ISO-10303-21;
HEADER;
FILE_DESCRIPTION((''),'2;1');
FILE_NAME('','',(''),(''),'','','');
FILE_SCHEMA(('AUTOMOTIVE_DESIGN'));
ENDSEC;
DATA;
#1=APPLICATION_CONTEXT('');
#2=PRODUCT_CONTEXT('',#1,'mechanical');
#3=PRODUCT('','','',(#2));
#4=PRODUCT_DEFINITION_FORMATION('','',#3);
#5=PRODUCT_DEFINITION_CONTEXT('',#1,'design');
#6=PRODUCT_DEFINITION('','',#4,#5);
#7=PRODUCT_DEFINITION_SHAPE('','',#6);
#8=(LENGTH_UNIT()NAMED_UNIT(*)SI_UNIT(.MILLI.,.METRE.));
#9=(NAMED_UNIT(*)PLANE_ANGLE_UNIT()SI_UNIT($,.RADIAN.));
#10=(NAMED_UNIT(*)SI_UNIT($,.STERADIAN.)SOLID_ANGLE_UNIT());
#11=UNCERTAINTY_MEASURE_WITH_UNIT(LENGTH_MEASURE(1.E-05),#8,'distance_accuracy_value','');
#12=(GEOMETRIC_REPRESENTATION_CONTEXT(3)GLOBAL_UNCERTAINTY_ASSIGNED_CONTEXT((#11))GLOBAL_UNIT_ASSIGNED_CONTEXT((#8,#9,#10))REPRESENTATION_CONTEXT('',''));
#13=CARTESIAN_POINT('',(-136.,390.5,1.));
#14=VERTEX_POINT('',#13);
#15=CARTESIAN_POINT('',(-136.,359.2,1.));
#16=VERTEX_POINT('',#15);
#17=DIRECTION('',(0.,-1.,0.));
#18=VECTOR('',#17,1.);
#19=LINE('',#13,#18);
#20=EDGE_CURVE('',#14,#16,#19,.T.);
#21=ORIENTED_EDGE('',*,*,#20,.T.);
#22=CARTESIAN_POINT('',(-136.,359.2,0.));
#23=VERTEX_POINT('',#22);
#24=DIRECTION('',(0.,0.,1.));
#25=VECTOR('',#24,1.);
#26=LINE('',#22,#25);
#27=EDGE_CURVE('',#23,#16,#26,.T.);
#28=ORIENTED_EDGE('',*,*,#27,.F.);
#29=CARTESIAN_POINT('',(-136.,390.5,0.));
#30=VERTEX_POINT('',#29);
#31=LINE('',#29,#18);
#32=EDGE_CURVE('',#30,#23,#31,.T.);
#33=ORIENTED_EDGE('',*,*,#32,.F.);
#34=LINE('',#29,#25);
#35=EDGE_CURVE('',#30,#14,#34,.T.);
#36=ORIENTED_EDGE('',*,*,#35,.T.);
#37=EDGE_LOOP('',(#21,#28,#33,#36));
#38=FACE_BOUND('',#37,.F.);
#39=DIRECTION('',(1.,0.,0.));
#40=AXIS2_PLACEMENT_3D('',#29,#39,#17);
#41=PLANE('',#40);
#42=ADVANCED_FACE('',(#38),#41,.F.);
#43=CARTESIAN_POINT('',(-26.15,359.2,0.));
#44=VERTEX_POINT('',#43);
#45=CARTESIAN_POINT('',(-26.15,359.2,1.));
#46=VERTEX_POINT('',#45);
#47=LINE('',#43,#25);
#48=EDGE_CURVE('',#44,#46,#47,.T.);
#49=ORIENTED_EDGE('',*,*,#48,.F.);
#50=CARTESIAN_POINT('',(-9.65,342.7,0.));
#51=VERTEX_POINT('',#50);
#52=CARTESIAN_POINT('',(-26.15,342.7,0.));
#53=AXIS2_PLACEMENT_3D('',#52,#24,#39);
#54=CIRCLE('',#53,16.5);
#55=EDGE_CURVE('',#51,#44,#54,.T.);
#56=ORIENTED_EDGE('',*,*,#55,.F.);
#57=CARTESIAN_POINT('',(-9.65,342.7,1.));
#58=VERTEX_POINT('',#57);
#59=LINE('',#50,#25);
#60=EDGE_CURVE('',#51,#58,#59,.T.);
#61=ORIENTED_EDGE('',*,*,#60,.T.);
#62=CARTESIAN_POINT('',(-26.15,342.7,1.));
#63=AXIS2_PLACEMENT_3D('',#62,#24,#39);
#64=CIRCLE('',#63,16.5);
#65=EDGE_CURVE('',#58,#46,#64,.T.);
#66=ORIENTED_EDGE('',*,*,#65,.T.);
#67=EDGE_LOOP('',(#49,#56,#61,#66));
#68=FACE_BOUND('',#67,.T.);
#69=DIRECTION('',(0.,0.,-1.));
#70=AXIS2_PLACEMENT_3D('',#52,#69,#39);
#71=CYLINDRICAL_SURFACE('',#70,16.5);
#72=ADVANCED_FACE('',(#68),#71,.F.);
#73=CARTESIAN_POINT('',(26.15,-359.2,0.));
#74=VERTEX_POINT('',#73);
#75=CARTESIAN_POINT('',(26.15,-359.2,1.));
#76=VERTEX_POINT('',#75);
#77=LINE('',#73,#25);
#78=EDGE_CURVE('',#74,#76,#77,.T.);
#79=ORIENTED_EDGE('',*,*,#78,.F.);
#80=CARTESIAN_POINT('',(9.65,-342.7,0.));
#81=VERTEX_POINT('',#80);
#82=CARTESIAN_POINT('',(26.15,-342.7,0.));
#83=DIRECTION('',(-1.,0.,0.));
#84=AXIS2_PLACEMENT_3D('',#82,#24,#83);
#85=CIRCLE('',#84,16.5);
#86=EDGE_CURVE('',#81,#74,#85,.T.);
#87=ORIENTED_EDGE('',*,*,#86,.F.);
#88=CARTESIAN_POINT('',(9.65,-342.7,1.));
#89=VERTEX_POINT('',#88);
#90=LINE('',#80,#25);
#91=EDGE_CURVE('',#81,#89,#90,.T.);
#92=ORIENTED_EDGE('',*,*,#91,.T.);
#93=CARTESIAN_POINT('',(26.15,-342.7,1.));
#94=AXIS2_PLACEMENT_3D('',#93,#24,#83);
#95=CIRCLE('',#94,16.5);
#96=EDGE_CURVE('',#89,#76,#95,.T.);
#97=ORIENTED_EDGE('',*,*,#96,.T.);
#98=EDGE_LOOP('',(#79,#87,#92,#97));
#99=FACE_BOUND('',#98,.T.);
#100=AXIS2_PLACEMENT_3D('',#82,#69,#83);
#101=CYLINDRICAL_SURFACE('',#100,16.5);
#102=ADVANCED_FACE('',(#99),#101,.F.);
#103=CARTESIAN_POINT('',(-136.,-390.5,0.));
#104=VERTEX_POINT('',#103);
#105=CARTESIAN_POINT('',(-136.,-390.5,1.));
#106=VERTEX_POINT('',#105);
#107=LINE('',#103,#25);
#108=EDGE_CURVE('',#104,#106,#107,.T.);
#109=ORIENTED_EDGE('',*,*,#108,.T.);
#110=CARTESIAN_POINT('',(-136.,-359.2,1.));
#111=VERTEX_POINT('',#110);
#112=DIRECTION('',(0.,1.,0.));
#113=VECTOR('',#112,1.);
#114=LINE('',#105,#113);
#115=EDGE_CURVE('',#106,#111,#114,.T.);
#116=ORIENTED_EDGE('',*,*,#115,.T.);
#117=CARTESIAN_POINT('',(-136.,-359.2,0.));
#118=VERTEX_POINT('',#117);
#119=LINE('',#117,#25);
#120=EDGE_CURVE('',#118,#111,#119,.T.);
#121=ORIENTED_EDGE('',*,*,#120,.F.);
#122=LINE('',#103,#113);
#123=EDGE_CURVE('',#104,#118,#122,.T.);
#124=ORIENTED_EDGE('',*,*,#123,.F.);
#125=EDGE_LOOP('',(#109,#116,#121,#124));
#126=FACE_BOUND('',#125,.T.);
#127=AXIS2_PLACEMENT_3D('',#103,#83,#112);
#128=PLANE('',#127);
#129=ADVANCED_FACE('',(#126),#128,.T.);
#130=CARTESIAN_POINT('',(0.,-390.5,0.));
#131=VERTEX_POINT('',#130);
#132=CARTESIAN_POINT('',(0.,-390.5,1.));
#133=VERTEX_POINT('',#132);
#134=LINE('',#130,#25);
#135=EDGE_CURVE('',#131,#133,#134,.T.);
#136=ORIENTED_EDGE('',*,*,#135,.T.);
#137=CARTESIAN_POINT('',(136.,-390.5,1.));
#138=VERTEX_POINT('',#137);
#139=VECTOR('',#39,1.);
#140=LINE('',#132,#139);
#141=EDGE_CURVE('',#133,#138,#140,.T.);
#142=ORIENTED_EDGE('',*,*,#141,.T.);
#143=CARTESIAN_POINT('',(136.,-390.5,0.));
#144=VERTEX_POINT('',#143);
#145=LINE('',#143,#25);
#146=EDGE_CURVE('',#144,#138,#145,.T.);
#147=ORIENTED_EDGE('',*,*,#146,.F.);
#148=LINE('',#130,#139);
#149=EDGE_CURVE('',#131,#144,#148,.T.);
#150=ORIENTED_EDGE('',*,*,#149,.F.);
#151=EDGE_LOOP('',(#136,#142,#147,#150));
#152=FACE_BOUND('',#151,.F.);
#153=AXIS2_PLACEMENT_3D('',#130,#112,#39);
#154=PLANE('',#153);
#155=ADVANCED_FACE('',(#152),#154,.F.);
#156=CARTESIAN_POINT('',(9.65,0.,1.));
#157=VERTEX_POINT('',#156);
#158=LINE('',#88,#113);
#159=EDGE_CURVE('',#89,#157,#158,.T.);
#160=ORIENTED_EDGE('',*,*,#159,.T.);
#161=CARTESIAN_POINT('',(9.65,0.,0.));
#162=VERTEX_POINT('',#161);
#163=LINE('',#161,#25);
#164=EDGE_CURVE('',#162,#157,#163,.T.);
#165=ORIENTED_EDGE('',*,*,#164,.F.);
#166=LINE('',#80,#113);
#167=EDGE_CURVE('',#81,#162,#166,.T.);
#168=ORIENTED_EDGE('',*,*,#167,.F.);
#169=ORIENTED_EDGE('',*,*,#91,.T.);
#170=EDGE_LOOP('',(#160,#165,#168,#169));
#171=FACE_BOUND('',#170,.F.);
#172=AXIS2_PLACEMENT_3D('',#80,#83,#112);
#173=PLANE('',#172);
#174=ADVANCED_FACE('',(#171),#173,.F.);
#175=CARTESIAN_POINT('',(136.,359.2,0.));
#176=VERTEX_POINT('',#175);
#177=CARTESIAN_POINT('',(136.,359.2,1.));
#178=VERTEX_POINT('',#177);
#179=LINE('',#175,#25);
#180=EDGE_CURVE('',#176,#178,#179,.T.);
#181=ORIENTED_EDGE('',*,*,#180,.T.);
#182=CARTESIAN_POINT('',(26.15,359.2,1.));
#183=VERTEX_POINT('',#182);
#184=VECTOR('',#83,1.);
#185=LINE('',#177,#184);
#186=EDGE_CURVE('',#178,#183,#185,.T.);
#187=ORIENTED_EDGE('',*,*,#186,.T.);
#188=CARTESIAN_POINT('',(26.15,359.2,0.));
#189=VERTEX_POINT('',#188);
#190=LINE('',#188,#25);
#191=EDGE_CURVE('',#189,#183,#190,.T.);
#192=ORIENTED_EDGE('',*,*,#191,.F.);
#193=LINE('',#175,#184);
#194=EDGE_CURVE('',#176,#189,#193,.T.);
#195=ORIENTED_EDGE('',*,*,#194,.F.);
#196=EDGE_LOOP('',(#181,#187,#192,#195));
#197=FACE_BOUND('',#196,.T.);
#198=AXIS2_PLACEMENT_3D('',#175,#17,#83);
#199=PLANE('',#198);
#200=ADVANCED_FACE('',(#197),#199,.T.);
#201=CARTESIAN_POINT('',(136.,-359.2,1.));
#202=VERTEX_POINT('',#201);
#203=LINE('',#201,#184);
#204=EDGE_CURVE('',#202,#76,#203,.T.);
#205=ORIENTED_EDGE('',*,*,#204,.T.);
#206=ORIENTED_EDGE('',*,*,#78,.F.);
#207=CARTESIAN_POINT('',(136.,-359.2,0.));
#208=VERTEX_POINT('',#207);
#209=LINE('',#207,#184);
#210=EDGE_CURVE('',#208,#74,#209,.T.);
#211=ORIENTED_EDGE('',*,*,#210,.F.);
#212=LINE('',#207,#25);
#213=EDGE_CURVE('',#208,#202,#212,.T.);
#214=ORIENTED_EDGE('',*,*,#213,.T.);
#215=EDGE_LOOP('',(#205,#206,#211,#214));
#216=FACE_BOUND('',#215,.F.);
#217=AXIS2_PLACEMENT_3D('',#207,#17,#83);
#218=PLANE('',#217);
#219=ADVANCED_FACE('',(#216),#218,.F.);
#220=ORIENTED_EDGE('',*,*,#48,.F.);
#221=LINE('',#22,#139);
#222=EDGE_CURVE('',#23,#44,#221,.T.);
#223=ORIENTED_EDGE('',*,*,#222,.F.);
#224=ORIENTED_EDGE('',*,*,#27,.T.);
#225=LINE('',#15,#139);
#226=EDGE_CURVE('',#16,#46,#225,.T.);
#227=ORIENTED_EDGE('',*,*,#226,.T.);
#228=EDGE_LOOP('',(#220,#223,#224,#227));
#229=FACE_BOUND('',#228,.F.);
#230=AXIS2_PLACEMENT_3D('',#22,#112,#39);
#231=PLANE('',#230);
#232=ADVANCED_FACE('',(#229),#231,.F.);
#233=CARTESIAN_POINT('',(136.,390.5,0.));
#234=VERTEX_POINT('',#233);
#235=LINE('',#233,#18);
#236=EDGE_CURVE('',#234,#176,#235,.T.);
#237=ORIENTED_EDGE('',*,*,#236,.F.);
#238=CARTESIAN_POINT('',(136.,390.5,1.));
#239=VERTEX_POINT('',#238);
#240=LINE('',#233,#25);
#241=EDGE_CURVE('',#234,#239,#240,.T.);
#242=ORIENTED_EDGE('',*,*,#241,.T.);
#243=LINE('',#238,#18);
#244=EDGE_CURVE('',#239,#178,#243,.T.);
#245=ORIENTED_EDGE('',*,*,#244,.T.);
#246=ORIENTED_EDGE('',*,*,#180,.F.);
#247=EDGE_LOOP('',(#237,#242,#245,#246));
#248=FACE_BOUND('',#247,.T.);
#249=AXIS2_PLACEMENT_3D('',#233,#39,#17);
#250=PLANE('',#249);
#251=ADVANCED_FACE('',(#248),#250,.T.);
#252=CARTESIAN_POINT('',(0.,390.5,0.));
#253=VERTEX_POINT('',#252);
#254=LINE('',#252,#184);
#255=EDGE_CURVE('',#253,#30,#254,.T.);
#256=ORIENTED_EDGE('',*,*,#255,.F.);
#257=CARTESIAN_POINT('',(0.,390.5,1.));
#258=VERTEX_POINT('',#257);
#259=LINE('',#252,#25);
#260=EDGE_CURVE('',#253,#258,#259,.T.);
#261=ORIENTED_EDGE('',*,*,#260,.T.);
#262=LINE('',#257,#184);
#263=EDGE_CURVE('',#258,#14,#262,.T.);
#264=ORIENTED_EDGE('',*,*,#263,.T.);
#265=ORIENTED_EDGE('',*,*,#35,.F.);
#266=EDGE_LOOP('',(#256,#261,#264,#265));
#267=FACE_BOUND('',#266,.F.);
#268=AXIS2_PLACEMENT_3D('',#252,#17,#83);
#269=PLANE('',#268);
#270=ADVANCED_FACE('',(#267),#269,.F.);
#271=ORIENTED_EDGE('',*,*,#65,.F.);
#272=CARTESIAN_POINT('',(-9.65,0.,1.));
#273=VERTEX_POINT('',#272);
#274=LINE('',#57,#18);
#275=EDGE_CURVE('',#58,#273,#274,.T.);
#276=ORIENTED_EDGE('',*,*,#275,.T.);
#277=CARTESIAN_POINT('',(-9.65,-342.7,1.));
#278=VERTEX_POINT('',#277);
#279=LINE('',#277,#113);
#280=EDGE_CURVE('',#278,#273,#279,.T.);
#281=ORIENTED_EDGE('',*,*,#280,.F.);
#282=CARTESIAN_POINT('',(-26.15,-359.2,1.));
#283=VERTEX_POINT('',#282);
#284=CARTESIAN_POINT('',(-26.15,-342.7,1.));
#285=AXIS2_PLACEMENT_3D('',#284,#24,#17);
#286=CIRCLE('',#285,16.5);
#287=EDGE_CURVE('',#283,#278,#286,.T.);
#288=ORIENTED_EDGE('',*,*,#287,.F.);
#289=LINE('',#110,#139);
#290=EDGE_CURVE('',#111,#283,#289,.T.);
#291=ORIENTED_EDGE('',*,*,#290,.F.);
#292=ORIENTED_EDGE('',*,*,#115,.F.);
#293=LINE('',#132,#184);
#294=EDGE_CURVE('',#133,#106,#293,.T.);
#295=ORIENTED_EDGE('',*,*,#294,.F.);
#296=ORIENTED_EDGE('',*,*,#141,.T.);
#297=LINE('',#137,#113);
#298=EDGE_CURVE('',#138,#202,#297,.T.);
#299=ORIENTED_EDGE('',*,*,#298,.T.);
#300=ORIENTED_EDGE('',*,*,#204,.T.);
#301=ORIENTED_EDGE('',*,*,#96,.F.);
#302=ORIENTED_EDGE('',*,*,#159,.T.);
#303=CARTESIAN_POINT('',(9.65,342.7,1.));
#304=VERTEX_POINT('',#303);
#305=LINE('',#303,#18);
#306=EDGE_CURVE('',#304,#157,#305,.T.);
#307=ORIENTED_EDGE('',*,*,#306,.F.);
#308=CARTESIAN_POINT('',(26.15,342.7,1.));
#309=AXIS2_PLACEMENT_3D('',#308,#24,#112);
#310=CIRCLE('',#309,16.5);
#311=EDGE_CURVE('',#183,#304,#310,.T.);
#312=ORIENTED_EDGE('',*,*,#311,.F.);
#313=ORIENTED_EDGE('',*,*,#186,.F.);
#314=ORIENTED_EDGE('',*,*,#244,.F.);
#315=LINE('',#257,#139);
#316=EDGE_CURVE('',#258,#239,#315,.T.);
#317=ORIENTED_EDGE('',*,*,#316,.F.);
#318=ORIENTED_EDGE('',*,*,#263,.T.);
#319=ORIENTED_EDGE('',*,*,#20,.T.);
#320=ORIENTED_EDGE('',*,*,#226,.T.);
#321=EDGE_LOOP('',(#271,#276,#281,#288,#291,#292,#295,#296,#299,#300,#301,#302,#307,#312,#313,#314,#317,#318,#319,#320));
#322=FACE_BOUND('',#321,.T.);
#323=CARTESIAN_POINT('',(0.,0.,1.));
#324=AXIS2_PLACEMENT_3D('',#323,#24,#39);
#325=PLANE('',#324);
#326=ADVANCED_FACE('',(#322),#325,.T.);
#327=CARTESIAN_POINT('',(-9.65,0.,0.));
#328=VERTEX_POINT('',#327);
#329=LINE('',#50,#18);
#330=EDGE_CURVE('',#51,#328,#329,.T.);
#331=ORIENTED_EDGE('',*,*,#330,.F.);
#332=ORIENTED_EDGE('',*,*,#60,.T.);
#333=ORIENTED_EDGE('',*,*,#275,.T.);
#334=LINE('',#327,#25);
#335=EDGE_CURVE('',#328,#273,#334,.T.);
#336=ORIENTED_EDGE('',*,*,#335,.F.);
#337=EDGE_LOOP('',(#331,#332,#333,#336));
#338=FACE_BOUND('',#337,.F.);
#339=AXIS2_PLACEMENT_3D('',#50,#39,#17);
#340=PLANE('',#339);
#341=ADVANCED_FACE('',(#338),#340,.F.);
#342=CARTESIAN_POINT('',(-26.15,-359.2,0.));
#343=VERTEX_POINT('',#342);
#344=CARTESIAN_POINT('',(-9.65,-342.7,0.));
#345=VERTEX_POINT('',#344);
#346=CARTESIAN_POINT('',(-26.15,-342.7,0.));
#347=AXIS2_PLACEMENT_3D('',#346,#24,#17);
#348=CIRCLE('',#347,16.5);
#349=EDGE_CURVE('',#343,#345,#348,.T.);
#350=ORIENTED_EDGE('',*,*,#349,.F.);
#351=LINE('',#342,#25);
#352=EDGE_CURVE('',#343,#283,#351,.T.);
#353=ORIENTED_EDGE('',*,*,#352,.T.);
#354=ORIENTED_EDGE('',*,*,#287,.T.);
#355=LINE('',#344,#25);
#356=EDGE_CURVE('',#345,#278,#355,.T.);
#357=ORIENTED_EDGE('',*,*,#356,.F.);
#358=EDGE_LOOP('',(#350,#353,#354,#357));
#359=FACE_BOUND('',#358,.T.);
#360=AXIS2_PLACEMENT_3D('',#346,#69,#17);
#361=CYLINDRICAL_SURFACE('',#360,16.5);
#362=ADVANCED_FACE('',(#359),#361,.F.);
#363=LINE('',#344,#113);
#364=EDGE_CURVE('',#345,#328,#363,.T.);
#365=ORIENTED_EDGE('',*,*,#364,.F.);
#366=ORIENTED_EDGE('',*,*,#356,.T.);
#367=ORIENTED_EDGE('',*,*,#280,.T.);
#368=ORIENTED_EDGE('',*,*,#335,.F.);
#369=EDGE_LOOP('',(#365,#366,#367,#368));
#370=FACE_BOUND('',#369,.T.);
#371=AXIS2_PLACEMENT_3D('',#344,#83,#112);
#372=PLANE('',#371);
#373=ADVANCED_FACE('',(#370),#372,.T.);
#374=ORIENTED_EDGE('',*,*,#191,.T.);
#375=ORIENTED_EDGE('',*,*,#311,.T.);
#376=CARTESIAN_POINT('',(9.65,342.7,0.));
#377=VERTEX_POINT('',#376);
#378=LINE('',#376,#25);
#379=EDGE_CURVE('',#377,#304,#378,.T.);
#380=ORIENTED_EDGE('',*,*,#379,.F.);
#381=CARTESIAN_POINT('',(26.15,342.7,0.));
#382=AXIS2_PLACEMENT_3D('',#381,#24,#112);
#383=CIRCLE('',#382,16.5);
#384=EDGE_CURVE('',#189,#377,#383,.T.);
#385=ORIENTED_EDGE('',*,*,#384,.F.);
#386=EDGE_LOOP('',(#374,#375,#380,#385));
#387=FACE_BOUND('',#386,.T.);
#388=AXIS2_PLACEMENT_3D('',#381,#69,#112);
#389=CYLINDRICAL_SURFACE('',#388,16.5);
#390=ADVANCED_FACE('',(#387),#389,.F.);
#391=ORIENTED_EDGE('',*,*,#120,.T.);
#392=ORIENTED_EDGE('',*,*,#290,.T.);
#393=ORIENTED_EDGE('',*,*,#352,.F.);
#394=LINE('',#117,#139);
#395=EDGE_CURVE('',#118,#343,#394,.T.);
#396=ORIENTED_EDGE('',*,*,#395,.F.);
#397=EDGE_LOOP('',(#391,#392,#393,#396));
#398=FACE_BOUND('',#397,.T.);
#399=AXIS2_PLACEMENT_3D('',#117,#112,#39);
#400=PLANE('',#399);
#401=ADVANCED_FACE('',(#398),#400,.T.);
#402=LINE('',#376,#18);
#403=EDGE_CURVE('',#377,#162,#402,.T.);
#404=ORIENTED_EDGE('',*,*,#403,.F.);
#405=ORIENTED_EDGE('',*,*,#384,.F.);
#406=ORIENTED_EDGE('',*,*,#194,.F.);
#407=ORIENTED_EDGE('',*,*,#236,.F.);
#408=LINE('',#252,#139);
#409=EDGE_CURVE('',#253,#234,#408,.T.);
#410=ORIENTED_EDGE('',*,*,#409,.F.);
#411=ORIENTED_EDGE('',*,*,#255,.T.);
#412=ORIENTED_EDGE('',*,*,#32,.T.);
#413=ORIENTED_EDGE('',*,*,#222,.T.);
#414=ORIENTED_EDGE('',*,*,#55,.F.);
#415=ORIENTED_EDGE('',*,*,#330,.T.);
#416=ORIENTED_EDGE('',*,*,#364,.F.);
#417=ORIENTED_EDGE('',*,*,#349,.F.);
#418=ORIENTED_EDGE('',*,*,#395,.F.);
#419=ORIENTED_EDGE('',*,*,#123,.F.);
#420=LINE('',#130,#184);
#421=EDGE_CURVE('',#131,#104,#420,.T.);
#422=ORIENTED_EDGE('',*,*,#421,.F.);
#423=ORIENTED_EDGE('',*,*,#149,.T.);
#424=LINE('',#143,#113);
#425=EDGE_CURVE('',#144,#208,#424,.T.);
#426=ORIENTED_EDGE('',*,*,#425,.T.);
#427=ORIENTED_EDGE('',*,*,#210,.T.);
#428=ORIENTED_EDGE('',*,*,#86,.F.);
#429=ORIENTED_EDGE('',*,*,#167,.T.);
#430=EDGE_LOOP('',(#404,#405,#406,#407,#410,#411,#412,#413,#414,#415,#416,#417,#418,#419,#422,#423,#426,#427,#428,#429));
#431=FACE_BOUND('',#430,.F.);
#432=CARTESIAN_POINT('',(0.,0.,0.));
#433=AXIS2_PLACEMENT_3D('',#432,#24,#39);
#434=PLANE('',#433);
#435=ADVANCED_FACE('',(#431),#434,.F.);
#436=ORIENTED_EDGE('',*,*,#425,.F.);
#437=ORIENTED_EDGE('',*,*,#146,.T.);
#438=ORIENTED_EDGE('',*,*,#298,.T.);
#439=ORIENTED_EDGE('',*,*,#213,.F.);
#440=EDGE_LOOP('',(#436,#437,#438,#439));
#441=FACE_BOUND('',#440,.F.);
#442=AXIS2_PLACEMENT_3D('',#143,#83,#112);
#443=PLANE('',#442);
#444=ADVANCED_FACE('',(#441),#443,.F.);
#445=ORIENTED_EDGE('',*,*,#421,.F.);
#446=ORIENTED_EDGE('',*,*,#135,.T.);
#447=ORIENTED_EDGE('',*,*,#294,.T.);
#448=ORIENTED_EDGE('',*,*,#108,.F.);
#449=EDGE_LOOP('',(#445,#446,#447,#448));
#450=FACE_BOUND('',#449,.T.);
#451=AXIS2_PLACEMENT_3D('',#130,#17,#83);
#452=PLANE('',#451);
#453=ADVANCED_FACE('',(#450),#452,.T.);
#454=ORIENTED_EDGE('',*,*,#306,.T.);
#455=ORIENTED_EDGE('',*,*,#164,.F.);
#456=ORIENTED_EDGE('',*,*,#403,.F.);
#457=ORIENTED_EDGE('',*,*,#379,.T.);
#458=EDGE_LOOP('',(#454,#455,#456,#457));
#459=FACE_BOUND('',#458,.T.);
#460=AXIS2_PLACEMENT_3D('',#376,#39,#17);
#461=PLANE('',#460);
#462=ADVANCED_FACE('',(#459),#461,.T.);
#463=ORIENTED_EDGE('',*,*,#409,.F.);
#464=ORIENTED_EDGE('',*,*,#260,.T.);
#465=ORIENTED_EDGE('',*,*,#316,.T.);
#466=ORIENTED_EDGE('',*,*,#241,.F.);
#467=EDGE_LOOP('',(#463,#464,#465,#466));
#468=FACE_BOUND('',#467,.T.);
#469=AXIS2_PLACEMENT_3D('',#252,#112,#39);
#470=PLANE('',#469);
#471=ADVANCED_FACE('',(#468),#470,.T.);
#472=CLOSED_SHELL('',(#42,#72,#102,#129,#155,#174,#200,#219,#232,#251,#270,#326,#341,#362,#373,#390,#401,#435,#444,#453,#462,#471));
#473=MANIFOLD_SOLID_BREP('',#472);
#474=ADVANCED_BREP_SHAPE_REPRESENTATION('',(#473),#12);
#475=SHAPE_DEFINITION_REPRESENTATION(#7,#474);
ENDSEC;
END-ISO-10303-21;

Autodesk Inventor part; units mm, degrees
ref_plane "YZ Plane" through (0, 0, 0) normal (1, 0, 0) x (0, 1, 0)
ref_plane "Start plane" through (0, 0, 0) normal (0, 0, 1) x (1, 0, 0)
ref_plane "End plane" through (0, 0, 1) normal (0, 0, 1) x (1, 0, 0)
sketch "Sketch" plane through (0, 0, 0) normal (0, 0, 1) x (1, 0, 0)
  line L0 (-136, -390.5) -> (-136, -359.2)
  line L1 (-136, -359.2) -> (-26.15, -359.2)
  line L2 (-9.65, -342.7) -> (-9.65, 0)
  line L3 (-9.65, 0) -> (0, 0) construction
  line L4 (0, 0) -> (0, -390.5) construction
  line L5 (0, -390.5) -> (-136, -390.5)
  line L6 (-60, 0) -> (80, 0) construction
  line L7 (0, -60) -> (0, 80) construction
  line L8 (136, -390.5) -> (136, -359.2)
  line L9 (136, -359.2) -> (26.15, -359.2)
  line L10 (9.65, -342.7) -> (9.65, 0)
  line L11 (9.65, 0) -> (0, 0) construction
  line L12 (0, -390.5) -> (136, -390.5)
  line L13 (-136, 390.5) -> (-136, 359.2)
  line L14 (-136, 359.2) -> (-26.15, 359.2)
  line L15 (-9.65, 342.7) -> (-9.65, 0)
  line L16 (0, 390.5) -> (-136, 390.5)
  line L17 (136, 390.5) -> (136, 359.2)
  line L18 (136, 359.2) -> (26.15, 359.2)
  line L19 (0, 390.5) -> (136, 390.5)
  line L20 (9.65, 342.7) -> (9.65, 0)
  arc A0 (-9.65, 342.7) -> (-26.15, 359.2) centre (-26.15, 342.7) ccw
  arc A1 (26.15, 359.2) -> (9.65, 342.7) centre (26.15, 342.7) ccw
  arc A2 (9.65, -342.7) -> (26.15, -359.2) centre (26.15, -342.7) ccw
  arc A3 (-26.15, -359.2) -> (-9.65, -342.7) centre (-26.15, -342.7) ccw
  line L21 (0, 108) -> (0, -88) construction
  line L22 (-88, 0) -> (108, 0) construction
  point P0 (-9.65, -359.2)
  point P1 (9.65, -359.2)
  point P2 (-9.65, 359.2)
  point P3 (9.65, 359.2)
  dimension "d1" = 390.5
  dimension "d2" = 31.3
  dimension "d3" = 136
  dimension "d4" = 9.65
  dimension "d10" = 16.5
extrude "Body" add sketch "Sketch" along normal up to surface (1 mm away) from surface at 0
sketch "Sketch4" plane through (0, 0, 0) normal (0, 0, 1) x (1, 0, 0)
  line L0 (0, 0) -> (10, 0)
ref_plane "Work Plane3" through (0, 0, 0) normal (0, -1, 0) x (1, 0, 0)
sketch "Sketch5" plane through (0, 0, 0) normal (0, -1, 0) x (1, 0, 0)
  line L0 (-2, 0) -> (12, 0) projected
  line L1 (-2, 1) -> (12, 1) projected
  dimension "d14" = 1
equation "\"d1\" = 0.5 * G_H"
equation "\"d2\" = G_T1"
equation "\"d3\" = 0.5 * G_W"
equation "\"d4\" = 0.5 * G_T"
equation "\"d10\" = G_IR"
equation "\"d5\" = G_L"
equation "\"G_W\" = 272"
equation "\"G_H\" = 781"
equation "\"G_T\" = 19.3"
equation "\"G_T1\" = 31.3"
equation "\"G_IR\" = 16.5"
equation "\"G_L\" = d14"
equation "\"G_OFFSET_START\" = 0"
equation "\"G_OFFSET_END\" = 0"
equation "\"d12\" = G_OFFSET_END + B_L"
equation "\"B_L\" = 1"
properties part number "AS 3679-1990 - 760 UB - 244 - 1" material "Steel, Mild"
